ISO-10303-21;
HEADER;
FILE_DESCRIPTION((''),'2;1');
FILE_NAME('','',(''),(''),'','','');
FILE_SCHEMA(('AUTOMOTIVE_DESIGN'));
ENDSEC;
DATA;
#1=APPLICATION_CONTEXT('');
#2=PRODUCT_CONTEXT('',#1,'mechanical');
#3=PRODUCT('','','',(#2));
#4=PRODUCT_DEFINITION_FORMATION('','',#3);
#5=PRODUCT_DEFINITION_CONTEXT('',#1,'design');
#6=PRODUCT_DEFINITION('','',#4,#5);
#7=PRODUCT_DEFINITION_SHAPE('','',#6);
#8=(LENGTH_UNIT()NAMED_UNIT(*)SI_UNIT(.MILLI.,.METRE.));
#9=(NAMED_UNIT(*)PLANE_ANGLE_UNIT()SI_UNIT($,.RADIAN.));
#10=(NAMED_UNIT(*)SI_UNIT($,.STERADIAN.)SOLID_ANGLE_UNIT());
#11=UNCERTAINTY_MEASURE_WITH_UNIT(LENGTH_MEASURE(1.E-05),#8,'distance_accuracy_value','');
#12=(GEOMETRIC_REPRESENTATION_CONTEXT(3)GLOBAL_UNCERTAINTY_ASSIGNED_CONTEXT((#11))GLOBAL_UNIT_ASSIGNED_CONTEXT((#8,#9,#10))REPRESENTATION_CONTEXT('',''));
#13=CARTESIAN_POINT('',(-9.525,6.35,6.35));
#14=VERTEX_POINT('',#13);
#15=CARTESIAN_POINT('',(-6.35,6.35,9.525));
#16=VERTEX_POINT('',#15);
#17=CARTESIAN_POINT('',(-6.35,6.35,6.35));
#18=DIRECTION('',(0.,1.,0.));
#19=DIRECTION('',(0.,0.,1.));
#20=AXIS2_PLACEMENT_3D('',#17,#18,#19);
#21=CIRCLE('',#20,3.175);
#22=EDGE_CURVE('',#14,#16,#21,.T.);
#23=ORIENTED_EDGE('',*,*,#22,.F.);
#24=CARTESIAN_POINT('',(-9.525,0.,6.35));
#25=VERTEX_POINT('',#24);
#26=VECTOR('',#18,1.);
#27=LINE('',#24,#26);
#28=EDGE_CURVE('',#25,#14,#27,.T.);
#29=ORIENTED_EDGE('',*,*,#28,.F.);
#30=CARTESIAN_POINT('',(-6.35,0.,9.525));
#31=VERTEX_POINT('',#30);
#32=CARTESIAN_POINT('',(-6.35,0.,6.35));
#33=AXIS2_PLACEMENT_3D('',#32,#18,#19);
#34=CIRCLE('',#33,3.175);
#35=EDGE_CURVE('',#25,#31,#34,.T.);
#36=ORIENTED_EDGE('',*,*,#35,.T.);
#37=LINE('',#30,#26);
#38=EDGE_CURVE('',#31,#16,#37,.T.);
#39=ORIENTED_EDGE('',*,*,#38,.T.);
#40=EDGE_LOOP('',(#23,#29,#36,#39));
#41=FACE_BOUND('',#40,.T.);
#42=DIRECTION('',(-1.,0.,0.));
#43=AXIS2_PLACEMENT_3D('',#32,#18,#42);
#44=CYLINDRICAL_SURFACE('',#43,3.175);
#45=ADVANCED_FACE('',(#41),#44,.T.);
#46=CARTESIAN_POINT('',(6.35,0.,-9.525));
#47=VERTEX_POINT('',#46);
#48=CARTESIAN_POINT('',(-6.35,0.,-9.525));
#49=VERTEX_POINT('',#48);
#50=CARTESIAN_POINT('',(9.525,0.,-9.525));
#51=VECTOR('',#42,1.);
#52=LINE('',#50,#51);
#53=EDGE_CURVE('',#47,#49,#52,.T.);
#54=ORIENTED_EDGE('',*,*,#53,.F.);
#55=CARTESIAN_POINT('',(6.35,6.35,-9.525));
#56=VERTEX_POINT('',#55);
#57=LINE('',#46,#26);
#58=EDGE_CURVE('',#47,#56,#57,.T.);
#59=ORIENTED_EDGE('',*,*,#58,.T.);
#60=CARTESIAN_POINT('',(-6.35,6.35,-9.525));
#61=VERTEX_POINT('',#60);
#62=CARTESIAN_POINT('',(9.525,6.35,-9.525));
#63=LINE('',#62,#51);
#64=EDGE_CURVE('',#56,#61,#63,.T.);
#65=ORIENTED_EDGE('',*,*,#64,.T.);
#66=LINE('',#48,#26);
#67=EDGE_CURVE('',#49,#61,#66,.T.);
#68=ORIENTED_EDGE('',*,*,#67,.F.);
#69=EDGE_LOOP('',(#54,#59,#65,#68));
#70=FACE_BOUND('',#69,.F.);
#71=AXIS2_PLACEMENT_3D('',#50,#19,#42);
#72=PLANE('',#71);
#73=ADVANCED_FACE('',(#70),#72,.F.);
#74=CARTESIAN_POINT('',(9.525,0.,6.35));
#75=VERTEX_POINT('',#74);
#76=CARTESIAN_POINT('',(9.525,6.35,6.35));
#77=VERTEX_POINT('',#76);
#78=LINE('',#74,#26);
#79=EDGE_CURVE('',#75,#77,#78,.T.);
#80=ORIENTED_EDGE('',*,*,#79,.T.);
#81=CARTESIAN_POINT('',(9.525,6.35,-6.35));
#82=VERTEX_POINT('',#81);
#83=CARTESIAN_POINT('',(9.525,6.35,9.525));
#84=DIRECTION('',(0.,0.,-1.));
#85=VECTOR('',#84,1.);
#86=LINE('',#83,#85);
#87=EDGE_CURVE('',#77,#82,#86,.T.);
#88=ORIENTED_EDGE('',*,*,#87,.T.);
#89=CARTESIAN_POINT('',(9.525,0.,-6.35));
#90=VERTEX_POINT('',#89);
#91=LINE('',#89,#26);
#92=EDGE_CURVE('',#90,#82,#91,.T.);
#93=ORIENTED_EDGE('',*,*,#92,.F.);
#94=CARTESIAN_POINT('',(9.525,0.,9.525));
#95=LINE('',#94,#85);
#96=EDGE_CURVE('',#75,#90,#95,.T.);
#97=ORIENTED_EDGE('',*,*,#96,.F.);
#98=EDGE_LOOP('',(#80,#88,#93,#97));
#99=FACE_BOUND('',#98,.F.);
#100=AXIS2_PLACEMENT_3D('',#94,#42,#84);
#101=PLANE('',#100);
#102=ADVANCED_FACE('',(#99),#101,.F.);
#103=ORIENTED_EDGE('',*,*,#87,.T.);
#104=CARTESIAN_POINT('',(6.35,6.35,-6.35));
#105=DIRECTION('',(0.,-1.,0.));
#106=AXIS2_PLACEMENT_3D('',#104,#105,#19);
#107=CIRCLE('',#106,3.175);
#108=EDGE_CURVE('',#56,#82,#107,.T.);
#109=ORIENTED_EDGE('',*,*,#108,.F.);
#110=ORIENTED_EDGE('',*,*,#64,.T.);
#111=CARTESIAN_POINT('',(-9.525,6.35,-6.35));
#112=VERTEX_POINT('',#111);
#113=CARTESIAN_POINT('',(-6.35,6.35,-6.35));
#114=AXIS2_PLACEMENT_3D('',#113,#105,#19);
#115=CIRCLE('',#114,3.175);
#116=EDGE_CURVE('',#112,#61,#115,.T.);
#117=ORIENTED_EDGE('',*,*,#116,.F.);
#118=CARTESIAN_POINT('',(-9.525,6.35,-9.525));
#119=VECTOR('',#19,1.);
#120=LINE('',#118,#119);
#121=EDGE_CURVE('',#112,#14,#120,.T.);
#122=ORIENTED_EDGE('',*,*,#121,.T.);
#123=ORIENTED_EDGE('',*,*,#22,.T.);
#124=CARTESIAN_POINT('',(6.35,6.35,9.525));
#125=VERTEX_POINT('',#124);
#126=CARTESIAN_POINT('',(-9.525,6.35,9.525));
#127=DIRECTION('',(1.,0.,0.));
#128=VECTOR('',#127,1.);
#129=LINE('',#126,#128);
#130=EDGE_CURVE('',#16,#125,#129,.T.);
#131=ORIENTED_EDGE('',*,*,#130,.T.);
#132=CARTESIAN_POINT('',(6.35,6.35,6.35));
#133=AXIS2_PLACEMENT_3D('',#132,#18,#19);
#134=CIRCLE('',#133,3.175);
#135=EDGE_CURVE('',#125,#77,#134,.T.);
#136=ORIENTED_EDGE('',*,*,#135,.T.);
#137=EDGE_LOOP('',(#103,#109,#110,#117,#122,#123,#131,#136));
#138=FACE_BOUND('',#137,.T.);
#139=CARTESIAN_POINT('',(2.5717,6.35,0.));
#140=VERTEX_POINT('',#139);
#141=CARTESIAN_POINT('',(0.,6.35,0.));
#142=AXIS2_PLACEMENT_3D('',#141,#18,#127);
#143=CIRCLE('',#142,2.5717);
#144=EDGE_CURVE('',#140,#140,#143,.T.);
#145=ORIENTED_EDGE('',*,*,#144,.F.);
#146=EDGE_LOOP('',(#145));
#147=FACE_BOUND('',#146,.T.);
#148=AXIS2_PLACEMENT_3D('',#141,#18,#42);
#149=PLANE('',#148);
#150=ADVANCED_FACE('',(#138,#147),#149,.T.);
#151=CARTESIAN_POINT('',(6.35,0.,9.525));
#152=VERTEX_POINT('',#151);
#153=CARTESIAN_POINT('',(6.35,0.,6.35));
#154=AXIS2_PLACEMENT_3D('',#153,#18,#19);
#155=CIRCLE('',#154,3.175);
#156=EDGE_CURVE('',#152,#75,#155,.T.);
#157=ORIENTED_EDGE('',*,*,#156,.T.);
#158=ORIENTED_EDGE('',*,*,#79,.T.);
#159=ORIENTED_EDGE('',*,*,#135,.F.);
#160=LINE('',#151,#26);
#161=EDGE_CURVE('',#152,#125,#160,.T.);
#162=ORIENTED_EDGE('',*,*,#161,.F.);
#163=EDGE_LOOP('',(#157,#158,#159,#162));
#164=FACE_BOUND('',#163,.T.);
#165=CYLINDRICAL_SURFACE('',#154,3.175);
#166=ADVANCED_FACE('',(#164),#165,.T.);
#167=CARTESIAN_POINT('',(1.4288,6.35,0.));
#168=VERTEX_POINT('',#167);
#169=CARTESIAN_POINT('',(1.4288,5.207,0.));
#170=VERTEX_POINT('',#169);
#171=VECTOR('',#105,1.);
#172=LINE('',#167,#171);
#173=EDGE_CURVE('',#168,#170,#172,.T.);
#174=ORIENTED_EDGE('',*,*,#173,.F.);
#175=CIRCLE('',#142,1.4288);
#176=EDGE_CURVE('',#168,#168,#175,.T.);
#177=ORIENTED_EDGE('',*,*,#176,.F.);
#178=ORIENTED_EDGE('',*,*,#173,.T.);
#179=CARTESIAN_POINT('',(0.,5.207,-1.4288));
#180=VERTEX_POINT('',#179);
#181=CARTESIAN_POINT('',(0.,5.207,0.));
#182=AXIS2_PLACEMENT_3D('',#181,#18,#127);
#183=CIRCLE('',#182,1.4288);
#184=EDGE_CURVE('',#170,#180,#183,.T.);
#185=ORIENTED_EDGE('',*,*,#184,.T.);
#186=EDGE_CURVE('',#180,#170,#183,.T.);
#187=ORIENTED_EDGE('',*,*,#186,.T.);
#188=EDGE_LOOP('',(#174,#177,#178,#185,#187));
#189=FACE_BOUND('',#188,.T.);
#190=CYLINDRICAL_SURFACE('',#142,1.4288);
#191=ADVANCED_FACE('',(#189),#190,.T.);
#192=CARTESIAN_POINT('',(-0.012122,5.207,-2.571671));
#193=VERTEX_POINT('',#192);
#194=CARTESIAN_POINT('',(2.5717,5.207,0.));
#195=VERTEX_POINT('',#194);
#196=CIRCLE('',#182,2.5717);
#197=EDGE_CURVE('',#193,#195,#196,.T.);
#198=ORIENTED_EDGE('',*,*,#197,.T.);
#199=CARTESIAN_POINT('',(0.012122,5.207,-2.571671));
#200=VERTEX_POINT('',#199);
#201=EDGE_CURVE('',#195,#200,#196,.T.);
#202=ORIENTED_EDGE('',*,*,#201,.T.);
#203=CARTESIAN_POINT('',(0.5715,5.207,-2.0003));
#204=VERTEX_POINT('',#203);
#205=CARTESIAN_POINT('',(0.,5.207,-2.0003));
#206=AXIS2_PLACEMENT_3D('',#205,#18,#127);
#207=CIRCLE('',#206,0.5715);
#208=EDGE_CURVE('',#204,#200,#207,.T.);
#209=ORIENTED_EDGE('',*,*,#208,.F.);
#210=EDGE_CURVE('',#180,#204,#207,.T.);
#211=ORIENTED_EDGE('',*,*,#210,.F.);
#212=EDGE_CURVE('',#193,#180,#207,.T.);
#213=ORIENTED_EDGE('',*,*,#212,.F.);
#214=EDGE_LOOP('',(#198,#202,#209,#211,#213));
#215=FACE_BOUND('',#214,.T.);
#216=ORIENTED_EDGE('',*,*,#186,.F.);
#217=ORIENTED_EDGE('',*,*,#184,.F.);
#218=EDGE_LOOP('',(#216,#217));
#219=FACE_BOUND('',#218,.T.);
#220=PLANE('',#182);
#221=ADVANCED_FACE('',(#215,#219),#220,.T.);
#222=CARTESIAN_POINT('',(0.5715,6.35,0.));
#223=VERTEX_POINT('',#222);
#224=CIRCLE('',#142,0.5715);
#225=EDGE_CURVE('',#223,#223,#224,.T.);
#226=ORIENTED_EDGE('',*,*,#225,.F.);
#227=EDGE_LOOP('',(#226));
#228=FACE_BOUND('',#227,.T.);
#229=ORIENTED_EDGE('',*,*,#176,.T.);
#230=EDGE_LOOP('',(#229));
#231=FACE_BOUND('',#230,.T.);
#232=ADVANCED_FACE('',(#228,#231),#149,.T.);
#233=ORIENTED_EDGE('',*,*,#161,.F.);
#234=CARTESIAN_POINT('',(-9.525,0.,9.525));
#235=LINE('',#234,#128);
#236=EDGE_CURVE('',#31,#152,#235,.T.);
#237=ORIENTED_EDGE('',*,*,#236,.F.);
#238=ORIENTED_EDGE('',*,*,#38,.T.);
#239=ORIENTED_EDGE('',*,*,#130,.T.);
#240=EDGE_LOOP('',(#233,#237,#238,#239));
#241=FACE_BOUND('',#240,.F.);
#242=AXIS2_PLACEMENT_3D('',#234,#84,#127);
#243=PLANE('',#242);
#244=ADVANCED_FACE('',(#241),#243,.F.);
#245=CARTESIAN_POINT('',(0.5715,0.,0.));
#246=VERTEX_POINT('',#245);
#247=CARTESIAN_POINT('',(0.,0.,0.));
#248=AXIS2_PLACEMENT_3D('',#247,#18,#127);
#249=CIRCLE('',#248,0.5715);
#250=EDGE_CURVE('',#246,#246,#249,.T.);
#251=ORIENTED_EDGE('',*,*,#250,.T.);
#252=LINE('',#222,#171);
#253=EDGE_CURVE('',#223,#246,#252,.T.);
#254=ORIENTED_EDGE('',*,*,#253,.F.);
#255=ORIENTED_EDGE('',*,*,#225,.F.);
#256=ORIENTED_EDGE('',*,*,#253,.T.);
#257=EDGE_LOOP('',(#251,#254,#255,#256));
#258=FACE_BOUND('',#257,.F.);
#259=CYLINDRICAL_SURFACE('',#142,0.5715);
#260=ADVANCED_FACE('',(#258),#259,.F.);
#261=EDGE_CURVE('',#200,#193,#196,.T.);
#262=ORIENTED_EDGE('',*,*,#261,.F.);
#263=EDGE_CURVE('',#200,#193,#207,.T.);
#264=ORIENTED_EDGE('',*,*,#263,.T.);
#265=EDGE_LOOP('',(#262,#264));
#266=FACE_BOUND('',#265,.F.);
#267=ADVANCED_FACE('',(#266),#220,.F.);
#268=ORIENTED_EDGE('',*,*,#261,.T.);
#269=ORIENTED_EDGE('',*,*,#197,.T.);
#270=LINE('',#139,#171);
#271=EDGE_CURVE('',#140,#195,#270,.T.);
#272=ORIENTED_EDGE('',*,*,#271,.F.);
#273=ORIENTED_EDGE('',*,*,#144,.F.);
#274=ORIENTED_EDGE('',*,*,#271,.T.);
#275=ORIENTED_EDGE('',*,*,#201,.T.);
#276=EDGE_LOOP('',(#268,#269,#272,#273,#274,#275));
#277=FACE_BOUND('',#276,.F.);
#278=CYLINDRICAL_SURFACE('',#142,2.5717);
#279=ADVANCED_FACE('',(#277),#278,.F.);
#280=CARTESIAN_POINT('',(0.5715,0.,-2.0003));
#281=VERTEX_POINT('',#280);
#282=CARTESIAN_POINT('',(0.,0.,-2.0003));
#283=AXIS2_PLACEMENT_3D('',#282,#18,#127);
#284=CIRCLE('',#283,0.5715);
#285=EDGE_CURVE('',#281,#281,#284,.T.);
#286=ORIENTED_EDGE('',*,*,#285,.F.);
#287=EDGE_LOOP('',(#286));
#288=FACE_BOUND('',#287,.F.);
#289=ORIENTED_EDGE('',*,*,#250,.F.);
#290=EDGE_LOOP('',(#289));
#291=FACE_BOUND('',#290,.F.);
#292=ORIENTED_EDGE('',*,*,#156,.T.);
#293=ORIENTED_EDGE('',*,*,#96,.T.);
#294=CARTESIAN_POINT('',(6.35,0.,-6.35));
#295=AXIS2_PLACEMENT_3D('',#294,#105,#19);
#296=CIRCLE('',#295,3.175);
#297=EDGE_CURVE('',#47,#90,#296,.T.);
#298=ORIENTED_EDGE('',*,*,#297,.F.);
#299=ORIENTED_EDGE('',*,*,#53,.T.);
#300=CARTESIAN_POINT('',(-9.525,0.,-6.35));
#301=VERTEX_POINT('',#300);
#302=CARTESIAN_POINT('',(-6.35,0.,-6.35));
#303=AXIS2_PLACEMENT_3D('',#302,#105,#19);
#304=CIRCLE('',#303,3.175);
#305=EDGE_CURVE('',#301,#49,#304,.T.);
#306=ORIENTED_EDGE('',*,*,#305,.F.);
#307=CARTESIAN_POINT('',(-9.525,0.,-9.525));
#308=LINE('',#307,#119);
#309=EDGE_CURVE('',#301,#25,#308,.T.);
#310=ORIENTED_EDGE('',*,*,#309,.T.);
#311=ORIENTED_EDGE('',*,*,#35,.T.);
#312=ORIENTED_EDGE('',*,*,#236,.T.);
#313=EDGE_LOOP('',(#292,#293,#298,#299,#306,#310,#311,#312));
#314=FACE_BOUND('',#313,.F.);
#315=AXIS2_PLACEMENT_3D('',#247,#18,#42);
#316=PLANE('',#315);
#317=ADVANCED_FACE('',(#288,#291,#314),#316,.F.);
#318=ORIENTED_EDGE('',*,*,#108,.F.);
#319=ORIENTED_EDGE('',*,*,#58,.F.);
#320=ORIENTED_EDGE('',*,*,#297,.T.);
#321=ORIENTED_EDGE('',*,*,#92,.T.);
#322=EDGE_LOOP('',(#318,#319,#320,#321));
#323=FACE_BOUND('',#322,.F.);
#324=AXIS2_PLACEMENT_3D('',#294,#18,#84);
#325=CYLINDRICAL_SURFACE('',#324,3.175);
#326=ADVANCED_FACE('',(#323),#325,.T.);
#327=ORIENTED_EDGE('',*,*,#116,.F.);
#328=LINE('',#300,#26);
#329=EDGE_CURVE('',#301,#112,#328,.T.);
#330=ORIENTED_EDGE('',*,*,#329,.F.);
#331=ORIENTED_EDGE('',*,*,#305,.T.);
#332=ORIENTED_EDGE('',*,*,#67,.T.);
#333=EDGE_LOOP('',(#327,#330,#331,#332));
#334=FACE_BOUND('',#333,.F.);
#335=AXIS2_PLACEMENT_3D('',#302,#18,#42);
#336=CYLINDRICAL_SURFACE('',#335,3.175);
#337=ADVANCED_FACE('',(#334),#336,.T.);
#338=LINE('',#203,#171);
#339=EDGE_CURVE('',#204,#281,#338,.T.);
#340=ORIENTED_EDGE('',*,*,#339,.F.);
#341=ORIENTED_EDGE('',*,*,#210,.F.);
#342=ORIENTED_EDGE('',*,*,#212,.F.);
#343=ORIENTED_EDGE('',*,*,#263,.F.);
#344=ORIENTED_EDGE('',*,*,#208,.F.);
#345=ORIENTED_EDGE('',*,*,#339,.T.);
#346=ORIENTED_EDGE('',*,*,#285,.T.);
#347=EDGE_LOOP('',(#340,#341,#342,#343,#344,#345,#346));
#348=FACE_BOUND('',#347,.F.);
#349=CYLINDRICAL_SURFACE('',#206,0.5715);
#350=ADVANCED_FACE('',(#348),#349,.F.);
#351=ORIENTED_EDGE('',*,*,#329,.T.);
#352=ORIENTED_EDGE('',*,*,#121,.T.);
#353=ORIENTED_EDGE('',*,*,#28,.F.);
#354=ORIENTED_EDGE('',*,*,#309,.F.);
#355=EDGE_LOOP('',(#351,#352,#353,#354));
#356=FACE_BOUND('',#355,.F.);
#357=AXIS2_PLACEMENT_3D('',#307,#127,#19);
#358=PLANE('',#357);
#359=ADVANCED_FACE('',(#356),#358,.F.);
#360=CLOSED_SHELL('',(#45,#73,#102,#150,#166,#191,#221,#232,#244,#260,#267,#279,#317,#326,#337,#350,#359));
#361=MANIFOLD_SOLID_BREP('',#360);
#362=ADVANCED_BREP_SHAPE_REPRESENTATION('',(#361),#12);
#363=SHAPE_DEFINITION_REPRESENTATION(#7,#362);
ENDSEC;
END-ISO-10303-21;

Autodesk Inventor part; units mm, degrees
ref_plane "YZ Plane" through (0, 0, 0) normal (1, 0, 0) x (0, 1, 0)
ref_plane "XZ Plane" through (0, 0, 0) normal (0, 1, 0) x (-1, 0, 0)
ref_plane "XY Plane" through (0, 0, 0) normal (0, 0, 1) x (1, 0, 0)
sketch "Sketch1" plane through (0, 0, 0) normal (0, 1, 0) x (-1, 0, 0)
  line L0 (9.525, 9.525) -> (-9.525, 9.525)
  line L1 (-9.525, 9.525) -> (-9.525, -9.525)
  line L2 (-9.525, -9.525) -> (9.525, -9.525)
  line L3 (9.525, -9.525) -> (9.525, 9.525)
  point P0 (0, 0)
  dimension "d0" = 19.05
  dimension "d1" = 19.05
  dimension "d2" = 9.525
  dimension "d3" = 9.525
extrude "Extrusion1" add sketch "Sketch1" along normal blind 6.35
sketch "Sketch2" plane through (0, 6.35, 0) normal (0, 1, 0) x (1, 0, 0)
  circle A0 centre (0, 0) radius 1.4288
  circle A1 centre (0, 0) radius 2.5717
  circle A2 centre (0, 0) radius 0.5715
  dimension "d6" = 2.8575
  dimension "d7" = 5.1435
  dimension "d8" = 1.143
extrude "Extrusion2" cut sketch "Sketch2" against normal blind 1.143 contours A1
extrude "Extrusion3" cut sketch "Sketch2" against normal through all contours A2
sketch "Sketch3" plane through (0, 5.207, 0) normal (0, 1, 0) x (1, 0, 0)
  circle A0 centre (0, 2.0003) radius 0.5715
  line L0 (0, 2.0003) -> (0, 0)
  dimension "d13" = 1.143
  dimension "d14" = 2.0002
extrude "Extrusion4" cut sketch "Sketch3" against normal through all
fillet "Fillet1" radius 3.175 4 edges at (-9.525, 3.175, 9.525) (9.525, 3.175, 9.525) (9.525, 3.175, -9.525) (-9.525, 3.175, -9.525)
properties part number "Unit_v3"
